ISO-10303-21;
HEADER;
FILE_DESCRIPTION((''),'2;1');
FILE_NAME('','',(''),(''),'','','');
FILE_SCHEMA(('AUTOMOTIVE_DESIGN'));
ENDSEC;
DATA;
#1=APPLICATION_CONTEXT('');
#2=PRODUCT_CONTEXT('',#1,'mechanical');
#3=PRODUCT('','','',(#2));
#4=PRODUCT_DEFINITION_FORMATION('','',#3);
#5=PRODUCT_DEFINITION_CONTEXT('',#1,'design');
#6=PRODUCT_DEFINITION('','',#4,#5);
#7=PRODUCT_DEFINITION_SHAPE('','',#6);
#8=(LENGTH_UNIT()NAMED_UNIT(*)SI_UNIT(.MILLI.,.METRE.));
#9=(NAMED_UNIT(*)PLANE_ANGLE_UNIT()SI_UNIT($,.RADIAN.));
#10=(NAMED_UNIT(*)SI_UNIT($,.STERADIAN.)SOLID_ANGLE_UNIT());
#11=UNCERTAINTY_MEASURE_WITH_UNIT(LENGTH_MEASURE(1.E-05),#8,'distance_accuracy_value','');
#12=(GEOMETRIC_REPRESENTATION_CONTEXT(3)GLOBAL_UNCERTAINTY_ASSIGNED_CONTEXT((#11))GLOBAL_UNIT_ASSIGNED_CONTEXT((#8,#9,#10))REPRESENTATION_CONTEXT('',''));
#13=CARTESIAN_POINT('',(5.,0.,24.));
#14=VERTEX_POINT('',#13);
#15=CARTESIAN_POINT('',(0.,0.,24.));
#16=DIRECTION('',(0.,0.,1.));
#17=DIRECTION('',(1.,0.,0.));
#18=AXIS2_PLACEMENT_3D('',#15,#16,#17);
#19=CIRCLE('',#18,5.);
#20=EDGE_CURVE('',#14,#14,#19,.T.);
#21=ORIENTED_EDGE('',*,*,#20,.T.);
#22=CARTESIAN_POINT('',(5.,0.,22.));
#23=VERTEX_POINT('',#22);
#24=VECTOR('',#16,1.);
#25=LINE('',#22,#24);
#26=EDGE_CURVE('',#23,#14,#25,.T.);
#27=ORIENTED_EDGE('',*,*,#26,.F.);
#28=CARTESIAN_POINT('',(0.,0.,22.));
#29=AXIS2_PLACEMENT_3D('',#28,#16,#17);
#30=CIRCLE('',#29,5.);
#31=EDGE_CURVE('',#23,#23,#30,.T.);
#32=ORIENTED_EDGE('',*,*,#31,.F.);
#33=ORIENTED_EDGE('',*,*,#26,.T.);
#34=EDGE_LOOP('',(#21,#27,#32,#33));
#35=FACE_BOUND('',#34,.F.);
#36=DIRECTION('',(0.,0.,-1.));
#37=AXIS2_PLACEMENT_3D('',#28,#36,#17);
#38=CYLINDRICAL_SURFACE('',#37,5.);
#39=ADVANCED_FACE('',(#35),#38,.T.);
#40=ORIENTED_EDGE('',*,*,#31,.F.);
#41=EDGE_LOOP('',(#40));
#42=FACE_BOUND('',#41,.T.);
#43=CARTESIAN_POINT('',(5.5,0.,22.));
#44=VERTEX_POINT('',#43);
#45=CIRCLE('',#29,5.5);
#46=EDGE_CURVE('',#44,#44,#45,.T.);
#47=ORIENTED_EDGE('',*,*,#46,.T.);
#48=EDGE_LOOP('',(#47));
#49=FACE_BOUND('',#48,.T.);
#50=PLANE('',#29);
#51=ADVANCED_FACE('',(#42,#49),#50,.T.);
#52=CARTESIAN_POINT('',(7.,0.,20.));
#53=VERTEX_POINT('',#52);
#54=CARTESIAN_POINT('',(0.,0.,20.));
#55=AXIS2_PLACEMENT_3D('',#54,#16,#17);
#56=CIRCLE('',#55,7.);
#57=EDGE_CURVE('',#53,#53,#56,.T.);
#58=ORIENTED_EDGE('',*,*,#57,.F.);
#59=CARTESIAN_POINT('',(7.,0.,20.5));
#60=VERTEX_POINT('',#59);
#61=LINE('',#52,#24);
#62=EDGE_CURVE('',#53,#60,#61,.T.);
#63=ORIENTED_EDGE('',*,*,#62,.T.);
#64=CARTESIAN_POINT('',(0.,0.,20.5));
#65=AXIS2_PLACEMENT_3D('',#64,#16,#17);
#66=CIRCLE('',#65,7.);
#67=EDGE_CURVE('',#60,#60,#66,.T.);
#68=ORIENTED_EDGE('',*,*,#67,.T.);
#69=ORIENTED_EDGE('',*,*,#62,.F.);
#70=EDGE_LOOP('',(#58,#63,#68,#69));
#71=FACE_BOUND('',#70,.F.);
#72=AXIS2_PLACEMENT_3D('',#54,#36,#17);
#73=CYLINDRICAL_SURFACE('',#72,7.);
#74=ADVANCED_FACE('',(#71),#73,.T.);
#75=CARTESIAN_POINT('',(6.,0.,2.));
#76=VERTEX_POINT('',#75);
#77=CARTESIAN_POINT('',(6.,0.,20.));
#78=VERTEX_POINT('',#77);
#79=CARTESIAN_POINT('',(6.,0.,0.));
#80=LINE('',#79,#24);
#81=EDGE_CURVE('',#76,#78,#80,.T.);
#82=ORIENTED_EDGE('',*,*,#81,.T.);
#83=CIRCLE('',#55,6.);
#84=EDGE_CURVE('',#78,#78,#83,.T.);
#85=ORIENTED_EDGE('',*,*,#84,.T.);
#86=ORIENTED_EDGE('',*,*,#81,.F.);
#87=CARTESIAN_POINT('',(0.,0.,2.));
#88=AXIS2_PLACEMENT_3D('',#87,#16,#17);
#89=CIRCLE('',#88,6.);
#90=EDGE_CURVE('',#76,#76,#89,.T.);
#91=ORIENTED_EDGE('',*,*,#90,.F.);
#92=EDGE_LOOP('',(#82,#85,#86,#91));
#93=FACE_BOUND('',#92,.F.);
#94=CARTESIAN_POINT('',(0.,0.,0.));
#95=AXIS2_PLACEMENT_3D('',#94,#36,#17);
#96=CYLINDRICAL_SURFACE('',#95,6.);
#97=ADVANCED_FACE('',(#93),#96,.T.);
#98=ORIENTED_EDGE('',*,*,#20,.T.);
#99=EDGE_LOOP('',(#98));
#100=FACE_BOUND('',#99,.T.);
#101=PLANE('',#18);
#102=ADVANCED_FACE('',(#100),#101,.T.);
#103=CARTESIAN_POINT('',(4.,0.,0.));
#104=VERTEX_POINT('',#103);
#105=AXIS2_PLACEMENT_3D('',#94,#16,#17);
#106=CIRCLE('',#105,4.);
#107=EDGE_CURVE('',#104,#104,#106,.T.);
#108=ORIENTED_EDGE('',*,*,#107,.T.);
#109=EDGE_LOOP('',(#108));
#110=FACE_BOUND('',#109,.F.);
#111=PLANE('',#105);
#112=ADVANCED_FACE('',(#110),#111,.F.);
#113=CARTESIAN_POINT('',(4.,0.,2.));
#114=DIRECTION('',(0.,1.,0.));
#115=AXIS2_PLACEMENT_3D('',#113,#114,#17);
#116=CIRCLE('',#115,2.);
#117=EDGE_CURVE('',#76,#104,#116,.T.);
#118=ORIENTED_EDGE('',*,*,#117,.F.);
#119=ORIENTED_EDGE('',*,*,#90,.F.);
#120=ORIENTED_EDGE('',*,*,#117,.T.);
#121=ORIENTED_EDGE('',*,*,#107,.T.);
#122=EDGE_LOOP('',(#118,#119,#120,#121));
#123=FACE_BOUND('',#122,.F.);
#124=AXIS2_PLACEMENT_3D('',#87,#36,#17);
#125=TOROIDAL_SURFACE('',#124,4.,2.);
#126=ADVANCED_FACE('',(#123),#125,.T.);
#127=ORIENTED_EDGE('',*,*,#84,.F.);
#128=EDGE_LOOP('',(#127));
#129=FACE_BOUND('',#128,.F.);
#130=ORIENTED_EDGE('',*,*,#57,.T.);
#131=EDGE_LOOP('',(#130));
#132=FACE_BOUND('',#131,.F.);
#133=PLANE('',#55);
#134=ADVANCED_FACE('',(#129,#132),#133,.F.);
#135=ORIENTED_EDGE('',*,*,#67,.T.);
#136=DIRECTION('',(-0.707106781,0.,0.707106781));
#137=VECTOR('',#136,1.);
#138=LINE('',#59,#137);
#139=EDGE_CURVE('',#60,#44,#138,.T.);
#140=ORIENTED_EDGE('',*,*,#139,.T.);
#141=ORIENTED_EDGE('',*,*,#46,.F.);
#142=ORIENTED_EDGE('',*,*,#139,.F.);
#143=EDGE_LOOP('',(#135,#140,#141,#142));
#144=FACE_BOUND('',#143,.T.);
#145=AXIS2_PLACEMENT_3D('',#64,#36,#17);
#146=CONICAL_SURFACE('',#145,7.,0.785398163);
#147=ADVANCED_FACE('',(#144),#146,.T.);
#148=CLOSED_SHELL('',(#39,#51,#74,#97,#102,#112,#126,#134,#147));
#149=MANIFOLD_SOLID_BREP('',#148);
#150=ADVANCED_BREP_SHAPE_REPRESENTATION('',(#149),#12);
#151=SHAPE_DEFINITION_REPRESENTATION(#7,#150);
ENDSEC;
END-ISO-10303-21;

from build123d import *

# Parameters (mm, degrees)
SKETCH_R     = 6
PAD_DEPTH    = 20
SKETCH001_R  = 7
PAD001_DEPTH = 2
CHAMFER_SIZE = 1.5
SKETCH002_R  = 5
PAD002_DEPTH = 2
FILLET_R     = 2


with BuildPart() as part:
    # Sketch → Pad (new body)
    with BuildSketch(Plane.XY):
        Circle(SKETCH_R)
    extrude(amount=PAD_DEPTH)

    # Sketch001 (on Face3 of Pad) → Pad001 (join)
    with BuildSketch(Plane.XY.offset(20)):
        Circle(SKETCH001_R)
    extrude(amount=PAD001_DEPTH)

    # Chamfer
    chamfer_edges = [part.edges().sort_by_distance(p)[0] for p in [
        (-7, 0, 22),
    ]]
    chamfer(chamfer_edges, length=CHAMFER_SIZE)

    # Sketch002 (on Face4 of Chamfer) → Pad002 (join)
    with BuildSketch(Plane.XY.offset(22)):
        Circle(SKETCH002_R)
    extrude(amount=PAD002_DEPTH)

    # Fillet
    fillet_edges = [part.edges().sort_by_distance(p)[0] for p in [
        (-6, 0, 0),
    ]]
    fillet(fillet_edges, radius=FILLET_R)


solid = part.part
